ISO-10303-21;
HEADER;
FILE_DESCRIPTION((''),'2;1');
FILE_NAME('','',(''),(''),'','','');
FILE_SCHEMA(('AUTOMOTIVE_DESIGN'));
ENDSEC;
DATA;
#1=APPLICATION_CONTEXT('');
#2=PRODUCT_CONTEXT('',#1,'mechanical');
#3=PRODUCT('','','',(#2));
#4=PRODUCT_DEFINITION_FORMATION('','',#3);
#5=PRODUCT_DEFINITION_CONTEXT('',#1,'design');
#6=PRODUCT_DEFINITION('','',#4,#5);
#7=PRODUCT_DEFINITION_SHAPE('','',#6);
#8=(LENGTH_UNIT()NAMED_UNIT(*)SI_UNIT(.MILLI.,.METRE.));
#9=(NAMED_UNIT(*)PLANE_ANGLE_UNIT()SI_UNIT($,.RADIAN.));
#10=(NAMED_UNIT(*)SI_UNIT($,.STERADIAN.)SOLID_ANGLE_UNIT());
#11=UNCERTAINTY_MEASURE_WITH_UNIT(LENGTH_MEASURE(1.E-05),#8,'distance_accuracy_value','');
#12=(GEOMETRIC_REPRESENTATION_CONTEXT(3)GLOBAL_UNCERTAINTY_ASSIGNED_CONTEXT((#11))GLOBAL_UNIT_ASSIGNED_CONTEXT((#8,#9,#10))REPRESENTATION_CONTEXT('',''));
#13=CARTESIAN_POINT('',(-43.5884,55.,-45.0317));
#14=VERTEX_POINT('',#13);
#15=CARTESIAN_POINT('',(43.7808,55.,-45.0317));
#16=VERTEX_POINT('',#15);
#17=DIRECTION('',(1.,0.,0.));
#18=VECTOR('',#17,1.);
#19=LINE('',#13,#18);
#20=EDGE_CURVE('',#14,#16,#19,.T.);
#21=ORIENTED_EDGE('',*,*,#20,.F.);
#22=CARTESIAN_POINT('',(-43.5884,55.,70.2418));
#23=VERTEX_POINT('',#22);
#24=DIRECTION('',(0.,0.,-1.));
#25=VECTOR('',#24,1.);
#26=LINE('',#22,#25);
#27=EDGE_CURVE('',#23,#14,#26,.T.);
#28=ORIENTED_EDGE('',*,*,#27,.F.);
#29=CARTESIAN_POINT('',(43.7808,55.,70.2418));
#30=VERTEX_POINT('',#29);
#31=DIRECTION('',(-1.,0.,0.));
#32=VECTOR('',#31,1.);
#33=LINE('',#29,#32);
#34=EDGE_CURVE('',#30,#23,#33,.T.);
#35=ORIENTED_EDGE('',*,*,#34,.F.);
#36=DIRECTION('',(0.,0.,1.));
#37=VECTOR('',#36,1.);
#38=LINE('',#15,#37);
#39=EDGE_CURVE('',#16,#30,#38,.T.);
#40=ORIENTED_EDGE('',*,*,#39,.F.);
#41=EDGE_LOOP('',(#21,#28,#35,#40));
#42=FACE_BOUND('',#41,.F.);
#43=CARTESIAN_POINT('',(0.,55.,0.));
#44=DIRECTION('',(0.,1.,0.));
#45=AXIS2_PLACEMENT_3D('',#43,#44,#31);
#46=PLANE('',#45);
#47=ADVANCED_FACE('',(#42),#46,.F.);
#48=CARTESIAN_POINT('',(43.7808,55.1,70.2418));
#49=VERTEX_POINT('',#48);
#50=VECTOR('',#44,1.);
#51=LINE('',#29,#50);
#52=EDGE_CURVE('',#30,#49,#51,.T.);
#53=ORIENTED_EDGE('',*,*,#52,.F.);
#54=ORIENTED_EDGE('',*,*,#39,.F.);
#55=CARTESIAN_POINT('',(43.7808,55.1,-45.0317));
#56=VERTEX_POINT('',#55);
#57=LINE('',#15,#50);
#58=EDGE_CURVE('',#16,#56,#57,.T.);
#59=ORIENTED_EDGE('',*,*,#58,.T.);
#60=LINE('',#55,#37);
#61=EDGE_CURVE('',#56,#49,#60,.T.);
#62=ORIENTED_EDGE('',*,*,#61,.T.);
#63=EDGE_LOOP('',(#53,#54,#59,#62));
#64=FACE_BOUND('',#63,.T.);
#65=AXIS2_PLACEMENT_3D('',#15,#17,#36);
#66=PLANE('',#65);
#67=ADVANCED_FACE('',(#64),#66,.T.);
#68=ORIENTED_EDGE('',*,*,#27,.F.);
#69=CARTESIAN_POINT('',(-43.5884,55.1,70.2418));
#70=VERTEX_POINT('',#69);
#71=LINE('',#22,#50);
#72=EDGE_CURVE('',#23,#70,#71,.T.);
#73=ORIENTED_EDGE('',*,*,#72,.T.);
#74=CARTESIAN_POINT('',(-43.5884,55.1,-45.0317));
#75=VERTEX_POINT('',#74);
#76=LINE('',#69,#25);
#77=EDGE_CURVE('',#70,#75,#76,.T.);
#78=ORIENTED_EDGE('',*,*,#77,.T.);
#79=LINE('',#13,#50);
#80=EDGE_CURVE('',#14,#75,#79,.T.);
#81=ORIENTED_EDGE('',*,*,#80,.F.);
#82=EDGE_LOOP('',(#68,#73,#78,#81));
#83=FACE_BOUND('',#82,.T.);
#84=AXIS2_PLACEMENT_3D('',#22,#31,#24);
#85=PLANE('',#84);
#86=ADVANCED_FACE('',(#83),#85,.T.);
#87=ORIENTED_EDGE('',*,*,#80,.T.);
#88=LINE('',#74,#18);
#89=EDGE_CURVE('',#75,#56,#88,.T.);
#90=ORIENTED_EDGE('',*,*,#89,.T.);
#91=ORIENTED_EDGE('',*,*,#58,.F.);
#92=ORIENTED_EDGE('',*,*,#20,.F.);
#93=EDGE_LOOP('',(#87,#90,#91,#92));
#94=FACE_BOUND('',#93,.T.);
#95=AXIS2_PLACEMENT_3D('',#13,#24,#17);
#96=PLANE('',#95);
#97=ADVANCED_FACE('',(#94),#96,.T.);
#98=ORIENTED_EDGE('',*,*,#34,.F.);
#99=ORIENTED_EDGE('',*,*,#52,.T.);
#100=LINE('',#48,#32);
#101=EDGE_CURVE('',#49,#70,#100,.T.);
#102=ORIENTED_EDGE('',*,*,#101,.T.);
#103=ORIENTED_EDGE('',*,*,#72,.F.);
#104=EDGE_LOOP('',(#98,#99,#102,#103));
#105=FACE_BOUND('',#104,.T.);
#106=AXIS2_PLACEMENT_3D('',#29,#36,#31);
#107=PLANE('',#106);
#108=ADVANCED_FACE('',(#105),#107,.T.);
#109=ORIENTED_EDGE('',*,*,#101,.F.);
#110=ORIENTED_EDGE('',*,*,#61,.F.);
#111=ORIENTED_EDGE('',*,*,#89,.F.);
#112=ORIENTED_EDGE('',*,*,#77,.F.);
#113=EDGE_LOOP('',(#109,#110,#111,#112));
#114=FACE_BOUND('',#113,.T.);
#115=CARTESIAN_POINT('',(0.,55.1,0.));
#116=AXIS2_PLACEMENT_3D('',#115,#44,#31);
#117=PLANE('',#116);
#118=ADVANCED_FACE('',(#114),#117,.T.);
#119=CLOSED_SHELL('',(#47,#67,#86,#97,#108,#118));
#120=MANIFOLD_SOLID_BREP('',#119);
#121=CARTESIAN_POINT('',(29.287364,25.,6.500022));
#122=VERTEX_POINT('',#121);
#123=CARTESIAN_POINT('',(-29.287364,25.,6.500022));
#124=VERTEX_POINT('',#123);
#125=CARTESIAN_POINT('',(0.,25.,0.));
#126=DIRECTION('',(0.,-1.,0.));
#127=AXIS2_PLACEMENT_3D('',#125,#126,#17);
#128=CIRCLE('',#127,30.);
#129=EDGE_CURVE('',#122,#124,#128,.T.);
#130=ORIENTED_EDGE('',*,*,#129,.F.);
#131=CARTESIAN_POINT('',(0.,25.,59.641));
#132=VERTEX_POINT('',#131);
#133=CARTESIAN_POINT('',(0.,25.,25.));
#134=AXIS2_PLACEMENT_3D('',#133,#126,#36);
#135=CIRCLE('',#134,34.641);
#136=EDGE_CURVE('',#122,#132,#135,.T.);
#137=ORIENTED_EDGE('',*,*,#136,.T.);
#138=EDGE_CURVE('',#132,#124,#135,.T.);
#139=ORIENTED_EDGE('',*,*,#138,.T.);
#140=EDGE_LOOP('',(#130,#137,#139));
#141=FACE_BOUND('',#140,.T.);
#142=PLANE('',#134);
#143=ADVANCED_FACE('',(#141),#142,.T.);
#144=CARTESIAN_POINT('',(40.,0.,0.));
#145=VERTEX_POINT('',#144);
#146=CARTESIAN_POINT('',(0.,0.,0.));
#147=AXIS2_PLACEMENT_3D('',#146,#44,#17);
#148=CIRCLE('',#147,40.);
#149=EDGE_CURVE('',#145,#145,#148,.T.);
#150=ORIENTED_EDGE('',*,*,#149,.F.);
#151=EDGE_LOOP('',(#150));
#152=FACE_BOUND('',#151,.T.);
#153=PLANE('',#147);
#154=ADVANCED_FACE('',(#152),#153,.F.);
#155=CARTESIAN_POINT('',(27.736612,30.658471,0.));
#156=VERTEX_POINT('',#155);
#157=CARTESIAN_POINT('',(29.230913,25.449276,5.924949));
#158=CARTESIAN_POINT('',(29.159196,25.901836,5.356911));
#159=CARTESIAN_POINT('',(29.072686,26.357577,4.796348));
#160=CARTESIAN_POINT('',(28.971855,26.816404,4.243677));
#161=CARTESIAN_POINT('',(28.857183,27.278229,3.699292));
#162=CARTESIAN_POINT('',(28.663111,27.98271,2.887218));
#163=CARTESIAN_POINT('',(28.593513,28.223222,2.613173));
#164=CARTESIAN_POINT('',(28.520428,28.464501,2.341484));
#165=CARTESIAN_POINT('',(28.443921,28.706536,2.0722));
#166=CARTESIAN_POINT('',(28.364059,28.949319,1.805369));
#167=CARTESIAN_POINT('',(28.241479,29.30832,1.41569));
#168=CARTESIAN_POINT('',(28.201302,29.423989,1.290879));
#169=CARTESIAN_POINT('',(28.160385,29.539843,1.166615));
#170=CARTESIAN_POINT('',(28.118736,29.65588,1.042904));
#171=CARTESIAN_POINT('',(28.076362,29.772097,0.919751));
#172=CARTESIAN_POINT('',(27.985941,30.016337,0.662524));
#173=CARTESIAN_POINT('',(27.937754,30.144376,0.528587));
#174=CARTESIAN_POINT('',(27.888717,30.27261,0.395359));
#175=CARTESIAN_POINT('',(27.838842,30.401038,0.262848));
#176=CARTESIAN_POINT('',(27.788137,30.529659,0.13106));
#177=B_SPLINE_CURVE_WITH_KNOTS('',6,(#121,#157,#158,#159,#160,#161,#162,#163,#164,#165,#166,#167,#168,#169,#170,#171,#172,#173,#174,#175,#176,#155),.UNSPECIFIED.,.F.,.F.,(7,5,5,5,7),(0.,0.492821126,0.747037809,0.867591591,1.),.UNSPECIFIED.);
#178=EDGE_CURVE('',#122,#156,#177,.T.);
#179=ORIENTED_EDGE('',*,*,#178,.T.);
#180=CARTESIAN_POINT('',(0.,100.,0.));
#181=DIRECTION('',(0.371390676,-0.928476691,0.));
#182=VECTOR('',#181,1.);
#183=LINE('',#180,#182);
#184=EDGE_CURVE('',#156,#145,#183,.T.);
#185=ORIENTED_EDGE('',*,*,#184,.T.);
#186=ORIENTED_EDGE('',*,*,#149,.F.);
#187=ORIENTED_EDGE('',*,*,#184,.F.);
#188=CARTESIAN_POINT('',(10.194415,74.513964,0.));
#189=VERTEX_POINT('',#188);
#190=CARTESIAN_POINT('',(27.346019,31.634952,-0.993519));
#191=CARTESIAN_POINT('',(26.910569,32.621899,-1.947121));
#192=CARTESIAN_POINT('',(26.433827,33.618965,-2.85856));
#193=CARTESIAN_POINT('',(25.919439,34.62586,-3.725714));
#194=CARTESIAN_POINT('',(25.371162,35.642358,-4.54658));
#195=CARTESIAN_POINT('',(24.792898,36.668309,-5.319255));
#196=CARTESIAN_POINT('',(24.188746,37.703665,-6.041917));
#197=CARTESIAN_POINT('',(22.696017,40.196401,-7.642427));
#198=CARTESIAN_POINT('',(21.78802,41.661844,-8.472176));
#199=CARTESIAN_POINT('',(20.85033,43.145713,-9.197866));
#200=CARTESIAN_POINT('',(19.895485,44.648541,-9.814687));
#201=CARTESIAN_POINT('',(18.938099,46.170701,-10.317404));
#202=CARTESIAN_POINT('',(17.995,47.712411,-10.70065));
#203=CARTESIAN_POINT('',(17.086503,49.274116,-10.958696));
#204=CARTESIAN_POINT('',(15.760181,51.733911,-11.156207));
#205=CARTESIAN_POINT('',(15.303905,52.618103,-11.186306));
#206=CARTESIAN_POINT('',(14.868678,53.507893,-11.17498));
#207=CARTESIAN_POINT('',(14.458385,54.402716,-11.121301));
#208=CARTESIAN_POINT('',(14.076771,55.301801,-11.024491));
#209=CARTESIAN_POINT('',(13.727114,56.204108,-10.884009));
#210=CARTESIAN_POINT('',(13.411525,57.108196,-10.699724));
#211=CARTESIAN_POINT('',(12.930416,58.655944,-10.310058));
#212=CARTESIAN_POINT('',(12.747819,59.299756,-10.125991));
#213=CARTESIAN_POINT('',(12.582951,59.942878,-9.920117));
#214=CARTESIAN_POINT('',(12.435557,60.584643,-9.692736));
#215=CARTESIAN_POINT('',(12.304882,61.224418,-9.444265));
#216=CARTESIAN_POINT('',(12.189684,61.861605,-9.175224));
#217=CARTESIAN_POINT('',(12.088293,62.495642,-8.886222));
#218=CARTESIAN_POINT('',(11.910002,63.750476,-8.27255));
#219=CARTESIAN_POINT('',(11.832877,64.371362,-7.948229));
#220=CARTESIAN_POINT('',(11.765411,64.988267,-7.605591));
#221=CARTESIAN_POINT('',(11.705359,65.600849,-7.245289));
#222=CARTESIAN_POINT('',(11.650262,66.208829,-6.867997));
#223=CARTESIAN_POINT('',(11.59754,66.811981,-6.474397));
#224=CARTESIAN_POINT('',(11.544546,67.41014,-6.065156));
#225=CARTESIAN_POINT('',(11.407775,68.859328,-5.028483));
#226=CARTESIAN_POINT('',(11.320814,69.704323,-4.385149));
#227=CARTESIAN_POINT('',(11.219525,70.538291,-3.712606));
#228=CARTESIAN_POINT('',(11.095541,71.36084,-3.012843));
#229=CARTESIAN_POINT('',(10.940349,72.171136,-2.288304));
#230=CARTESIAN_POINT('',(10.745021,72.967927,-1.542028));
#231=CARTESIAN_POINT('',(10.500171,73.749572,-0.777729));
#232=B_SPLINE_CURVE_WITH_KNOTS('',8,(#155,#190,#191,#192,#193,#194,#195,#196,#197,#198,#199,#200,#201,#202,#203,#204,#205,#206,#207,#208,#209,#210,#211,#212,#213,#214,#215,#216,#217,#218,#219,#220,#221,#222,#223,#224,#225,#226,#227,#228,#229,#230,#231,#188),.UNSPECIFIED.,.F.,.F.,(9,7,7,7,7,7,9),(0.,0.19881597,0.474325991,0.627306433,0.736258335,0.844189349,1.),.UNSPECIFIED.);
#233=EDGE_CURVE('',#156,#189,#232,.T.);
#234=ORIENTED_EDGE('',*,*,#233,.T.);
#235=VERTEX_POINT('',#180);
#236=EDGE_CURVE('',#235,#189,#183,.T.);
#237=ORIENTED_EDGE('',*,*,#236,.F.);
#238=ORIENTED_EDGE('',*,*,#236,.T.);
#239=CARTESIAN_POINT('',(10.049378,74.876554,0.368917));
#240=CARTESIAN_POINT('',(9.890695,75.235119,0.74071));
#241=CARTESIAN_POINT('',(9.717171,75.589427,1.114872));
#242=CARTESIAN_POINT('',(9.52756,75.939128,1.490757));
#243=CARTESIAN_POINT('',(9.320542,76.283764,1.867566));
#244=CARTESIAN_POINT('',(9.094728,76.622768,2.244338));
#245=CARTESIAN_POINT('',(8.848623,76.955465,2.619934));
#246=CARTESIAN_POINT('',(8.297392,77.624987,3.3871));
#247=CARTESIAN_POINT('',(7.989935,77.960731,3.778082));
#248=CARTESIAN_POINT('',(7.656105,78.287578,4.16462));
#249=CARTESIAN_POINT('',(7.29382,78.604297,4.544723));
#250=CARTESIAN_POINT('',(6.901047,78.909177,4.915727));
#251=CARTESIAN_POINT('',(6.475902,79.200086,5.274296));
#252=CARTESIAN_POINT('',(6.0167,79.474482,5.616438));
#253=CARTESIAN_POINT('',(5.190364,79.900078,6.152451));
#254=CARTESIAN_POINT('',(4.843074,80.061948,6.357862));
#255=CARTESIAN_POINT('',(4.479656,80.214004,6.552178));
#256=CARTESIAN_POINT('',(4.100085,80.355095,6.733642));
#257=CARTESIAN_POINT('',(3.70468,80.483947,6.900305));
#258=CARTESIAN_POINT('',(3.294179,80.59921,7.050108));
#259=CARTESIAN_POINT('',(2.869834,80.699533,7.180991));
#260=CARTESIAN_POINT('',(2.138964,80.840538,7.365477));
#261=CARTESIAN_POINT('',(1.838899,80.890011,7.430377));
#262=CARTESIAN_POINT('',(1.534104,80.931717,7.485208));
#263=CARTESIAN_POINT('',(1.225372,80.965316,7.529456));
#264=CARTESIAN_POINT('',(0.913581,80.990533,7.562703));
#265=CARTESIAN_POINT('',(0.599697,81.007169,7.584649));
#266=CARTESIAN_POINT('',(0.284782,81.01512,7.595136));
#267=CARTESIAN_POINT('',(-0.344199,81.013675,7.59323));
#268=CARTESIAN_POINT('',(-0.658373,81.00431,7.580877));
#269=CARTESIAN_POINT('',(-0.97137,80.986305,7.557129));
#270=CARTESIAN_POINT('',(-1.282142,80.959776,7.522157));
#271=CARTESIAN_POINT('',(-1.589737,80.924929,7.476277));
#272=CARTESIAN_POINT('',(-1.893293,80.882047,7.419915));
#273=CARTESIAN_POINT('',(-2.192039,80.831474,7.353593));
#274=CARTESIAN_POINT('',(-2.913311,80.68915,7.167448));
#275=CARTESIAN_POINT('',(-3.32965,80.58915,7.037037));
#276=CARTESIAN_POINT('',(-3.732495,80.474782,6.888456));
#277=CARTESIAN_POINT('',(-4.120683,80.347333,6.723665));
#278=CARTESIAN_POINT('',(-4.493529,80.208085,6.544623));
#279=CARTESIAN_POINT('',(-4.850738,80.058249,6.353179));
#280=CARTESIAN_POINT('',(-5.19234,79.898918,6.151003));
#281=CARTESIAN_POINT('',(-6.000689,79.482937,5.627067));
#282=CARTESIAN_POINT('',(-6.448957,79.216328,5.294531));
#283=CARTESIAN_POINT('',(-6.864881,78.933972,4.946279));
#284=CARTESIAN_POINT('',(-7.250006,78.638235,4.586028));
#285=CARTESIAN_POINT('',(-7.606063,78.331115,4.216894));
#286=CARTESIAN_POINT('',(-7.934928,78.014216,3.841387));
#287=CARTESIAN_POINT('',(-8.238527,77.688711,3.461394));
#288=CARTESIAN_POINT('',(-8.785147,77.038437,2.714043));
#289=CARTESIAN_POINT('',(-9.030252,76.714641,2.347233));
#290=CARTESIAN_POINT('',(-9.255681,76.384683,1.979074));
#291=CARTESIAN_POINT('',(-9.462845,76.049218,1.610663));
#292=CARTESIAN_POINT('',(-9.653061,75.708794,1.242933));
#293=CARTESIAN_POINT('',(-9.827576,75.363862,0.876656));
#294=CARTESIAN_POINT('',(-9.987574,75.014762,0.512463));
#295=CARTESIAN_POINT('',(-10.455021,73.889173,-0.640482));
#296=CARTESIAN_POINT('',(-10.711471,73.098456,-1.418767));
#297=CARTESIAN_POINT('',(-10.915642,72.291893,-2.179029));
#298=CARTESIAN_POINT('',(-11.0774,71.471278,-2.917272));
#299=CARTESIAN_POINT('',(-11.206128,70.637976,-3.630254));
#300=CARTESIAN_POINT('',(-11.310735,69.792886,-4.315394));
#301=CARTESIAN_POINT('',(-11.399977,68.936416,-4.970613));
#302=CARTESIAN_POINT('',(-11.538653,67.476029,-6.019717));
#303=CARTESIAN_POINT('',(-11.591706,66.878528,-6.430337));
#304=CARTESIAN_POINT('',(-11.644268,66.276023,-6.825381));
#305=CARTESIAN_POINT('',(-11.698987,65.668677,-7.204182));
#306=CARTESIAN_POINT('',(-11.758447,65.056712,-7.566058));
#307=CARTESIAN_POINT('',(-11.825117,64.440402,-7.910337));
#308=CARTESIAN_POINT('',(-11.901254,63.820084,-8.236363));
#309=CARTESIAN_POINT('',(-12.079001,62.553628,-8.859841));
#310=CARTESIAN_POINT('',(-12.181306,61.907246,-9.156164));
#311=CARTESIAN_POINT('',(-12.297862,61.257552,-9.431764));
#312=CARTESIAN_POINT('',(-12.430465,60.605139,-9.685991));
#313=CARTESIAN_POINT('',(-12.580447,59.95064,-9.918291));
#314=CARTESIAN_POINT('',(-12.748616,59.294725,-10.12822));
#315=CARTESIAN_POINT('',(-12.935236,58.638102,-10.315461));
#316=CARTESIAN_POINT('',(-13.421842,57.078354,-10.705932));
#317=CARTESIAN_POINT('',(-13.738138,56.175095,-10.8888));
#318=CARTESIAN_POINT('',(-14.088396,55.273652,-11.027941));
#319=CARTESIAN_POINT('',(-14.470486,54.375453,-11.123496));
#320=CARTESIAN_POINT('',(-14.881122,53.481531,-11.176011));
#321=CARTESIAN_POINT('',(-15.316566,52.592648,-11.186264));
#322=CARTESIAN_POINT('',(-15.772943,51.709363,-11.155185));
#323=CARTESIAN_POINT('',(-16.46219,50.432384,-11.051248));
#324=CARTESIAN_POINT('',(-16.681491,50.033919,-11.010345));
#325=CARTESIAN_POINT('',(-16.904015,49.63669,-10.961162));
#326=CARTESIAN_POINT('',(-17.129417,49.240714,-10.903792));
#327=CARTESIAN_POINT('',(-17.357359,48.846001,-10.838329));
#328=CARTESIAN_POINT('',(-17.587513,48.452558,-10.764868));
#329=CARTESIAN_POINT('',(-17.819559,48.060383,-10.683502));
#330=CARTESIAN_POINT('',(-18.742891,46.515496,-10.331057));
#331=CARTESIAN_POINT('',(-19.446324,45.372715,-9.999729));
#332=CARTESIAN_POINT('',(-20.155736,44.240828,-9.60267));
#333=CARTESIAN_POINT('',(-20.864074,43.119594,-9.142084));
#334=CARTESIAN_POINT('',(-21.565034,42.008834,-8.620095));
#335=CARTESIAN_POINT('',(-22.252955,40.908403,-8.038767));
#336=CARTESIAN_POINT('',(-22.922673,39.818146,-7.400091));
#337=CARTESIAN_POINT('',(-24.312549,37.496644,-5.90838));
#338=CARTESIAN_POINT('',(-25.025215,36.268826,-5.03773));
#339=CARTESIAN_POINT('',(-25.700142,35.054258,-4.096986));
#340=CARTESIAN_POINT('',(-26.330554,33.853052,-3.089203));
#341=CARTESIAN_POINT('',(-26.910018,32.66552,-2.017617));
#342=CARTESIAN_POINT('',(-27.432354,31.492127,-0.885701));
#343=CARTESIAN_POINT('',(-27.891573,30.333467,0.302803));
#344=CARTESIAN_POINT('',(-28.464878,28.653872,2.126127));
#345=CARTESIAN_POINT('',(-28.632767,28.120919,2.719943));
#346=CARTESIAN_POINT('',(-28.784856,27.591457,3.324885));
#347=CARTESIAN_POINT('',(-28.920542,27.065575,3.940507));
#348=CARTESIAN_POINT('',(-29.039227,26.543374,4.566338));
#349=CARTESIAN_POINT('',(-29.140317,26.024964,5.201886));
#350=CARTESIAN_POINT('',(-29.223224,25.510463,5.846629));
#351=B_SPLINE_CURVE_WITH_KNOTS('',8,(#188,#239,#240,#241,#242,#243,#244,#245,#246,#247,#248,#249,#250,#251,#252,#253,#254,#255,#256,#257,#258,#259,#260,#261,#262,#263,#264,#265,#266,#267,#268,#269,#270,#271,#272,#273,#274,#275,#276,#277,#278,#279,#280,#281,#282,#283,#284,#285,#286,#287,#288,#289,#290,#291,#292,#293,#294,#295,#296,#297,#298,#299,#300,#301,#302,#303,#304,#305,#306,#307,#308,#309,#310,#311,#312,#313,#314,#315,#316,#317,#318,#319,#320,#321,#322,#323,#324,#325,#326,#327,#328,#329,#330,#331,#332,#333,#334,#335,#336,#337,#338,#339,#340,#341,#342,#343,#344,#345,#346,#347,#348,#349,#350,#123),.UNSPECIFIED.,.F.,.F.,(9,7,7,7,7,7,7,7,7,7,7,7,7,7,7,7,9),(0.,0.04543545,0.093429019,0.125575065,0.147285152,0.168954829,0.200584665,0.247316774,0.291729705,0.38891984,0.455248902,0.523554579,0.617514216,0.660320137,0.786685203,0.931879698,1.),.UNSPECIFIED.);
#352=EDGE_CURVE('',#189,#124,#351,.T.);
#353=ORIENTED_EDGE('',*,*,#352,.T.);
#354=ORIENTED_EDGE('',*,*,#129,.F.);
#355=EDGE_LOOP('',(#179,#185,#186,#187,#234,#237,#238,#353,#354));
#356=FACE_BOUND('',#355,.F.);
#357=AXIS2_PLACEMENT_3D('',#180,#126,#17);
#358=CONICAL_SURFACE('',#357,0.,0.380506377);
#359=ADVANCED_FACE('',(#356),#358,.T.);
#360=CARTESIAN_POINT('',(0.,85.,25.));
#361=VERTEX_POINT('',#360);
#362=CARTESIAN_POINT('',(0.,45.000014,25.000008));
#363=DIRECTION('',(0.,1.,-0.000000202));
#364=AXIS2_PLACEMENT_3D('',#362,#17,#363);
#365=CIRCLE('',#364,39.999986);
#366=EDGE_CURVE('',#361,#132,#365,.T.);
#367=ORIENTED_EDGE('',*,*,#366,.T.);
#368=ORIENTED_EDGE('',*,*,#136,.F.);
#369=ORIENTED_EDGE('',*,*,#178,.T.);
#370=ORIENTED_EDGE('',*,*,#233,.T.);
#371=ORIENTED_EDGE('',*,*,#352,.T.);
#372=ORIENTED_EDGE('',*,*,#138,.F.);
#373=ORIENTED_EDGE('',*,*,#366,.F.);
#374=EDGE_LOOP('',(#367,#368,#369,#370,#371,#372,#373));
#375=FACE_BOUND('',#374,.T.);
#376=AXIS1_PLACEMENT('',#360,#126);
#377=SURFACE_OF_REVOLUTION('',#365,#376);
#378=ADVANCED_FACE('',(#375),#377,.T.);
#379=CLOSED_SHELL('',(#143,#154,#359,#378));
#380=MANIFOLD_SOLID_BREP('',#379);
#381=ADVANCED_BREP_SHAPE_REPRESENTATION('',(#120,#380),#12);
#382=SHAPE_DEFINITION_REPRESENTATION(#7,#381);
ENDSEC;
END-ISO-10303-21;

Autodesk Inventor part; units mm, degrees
ref_plane "YZ Plane" through (0, 0, 0) normal (1, 0, 0) x (0, 1, 0)
ref_plane "XY Plane" through (0, 0, 0) normal (0, 0, 1) x (1, 0, 0)
sketch "Эскиз1" plane through (0, 0, 0) normal (0, 0, 1) x (1, 0, 0)
  line L0 (0, 0) -> (40, 0)
  line L1 (0, 0) -> (0, 100)
  line L2 (0, 100) -> (40, 0)
  dimension "d0" = 40
  dimension "d1" = 100
revolve "Вращение1" add sketch "Эскиз1" angle 360 about axis through (0, 0, 0) along (0, 1, 0)
sketch "Эскиз3" plane through (0, 0, 0) normal (1, 0, 0) x (0, 1, 0)
  line L0 (0, -40) -> (0, 40) projected
  arc A0 (85, 25) -> (25, 59.641) centre (45, 25) ccw
  line L1 (25, 59.641) -> (25, 25)
  line L2 (85, 25) -> (25, 25)
  point P0 (0, 0)
  dimension "d10" = 80
revolve "Вращение2" add sketch "Эскиз3" angle 360 about axis through (0, 85, 25) along (0, -1, 0)
ref_plane "РабПлоскость1" through (0, 55, 0) normal (0, 1, 0) x (-1, 0, 0)
sketch "Эскиз4" plane through (0, 55, 0) normal (0, 1, 0) x (-1, 0, 0)
  line L0 (43.5884, -45.0317) -> (-43.7808, -45.0317)
  line L1 (-43.7808, -45.0317) -> (-43.7808, 70.2418)
  line L2 (-43.7808, 70.2418) -> (43.5884, 70.2418)
  line L3 (43.5884, 70.2418) -> (43.5884, -45.0317)
  point P0 (0, 0)
extrude "Выдавливание1" add sketch "Эскиз4" along normal blind 0.1 separate body
split_face "Разделение1"
split_face "Разделение2"
